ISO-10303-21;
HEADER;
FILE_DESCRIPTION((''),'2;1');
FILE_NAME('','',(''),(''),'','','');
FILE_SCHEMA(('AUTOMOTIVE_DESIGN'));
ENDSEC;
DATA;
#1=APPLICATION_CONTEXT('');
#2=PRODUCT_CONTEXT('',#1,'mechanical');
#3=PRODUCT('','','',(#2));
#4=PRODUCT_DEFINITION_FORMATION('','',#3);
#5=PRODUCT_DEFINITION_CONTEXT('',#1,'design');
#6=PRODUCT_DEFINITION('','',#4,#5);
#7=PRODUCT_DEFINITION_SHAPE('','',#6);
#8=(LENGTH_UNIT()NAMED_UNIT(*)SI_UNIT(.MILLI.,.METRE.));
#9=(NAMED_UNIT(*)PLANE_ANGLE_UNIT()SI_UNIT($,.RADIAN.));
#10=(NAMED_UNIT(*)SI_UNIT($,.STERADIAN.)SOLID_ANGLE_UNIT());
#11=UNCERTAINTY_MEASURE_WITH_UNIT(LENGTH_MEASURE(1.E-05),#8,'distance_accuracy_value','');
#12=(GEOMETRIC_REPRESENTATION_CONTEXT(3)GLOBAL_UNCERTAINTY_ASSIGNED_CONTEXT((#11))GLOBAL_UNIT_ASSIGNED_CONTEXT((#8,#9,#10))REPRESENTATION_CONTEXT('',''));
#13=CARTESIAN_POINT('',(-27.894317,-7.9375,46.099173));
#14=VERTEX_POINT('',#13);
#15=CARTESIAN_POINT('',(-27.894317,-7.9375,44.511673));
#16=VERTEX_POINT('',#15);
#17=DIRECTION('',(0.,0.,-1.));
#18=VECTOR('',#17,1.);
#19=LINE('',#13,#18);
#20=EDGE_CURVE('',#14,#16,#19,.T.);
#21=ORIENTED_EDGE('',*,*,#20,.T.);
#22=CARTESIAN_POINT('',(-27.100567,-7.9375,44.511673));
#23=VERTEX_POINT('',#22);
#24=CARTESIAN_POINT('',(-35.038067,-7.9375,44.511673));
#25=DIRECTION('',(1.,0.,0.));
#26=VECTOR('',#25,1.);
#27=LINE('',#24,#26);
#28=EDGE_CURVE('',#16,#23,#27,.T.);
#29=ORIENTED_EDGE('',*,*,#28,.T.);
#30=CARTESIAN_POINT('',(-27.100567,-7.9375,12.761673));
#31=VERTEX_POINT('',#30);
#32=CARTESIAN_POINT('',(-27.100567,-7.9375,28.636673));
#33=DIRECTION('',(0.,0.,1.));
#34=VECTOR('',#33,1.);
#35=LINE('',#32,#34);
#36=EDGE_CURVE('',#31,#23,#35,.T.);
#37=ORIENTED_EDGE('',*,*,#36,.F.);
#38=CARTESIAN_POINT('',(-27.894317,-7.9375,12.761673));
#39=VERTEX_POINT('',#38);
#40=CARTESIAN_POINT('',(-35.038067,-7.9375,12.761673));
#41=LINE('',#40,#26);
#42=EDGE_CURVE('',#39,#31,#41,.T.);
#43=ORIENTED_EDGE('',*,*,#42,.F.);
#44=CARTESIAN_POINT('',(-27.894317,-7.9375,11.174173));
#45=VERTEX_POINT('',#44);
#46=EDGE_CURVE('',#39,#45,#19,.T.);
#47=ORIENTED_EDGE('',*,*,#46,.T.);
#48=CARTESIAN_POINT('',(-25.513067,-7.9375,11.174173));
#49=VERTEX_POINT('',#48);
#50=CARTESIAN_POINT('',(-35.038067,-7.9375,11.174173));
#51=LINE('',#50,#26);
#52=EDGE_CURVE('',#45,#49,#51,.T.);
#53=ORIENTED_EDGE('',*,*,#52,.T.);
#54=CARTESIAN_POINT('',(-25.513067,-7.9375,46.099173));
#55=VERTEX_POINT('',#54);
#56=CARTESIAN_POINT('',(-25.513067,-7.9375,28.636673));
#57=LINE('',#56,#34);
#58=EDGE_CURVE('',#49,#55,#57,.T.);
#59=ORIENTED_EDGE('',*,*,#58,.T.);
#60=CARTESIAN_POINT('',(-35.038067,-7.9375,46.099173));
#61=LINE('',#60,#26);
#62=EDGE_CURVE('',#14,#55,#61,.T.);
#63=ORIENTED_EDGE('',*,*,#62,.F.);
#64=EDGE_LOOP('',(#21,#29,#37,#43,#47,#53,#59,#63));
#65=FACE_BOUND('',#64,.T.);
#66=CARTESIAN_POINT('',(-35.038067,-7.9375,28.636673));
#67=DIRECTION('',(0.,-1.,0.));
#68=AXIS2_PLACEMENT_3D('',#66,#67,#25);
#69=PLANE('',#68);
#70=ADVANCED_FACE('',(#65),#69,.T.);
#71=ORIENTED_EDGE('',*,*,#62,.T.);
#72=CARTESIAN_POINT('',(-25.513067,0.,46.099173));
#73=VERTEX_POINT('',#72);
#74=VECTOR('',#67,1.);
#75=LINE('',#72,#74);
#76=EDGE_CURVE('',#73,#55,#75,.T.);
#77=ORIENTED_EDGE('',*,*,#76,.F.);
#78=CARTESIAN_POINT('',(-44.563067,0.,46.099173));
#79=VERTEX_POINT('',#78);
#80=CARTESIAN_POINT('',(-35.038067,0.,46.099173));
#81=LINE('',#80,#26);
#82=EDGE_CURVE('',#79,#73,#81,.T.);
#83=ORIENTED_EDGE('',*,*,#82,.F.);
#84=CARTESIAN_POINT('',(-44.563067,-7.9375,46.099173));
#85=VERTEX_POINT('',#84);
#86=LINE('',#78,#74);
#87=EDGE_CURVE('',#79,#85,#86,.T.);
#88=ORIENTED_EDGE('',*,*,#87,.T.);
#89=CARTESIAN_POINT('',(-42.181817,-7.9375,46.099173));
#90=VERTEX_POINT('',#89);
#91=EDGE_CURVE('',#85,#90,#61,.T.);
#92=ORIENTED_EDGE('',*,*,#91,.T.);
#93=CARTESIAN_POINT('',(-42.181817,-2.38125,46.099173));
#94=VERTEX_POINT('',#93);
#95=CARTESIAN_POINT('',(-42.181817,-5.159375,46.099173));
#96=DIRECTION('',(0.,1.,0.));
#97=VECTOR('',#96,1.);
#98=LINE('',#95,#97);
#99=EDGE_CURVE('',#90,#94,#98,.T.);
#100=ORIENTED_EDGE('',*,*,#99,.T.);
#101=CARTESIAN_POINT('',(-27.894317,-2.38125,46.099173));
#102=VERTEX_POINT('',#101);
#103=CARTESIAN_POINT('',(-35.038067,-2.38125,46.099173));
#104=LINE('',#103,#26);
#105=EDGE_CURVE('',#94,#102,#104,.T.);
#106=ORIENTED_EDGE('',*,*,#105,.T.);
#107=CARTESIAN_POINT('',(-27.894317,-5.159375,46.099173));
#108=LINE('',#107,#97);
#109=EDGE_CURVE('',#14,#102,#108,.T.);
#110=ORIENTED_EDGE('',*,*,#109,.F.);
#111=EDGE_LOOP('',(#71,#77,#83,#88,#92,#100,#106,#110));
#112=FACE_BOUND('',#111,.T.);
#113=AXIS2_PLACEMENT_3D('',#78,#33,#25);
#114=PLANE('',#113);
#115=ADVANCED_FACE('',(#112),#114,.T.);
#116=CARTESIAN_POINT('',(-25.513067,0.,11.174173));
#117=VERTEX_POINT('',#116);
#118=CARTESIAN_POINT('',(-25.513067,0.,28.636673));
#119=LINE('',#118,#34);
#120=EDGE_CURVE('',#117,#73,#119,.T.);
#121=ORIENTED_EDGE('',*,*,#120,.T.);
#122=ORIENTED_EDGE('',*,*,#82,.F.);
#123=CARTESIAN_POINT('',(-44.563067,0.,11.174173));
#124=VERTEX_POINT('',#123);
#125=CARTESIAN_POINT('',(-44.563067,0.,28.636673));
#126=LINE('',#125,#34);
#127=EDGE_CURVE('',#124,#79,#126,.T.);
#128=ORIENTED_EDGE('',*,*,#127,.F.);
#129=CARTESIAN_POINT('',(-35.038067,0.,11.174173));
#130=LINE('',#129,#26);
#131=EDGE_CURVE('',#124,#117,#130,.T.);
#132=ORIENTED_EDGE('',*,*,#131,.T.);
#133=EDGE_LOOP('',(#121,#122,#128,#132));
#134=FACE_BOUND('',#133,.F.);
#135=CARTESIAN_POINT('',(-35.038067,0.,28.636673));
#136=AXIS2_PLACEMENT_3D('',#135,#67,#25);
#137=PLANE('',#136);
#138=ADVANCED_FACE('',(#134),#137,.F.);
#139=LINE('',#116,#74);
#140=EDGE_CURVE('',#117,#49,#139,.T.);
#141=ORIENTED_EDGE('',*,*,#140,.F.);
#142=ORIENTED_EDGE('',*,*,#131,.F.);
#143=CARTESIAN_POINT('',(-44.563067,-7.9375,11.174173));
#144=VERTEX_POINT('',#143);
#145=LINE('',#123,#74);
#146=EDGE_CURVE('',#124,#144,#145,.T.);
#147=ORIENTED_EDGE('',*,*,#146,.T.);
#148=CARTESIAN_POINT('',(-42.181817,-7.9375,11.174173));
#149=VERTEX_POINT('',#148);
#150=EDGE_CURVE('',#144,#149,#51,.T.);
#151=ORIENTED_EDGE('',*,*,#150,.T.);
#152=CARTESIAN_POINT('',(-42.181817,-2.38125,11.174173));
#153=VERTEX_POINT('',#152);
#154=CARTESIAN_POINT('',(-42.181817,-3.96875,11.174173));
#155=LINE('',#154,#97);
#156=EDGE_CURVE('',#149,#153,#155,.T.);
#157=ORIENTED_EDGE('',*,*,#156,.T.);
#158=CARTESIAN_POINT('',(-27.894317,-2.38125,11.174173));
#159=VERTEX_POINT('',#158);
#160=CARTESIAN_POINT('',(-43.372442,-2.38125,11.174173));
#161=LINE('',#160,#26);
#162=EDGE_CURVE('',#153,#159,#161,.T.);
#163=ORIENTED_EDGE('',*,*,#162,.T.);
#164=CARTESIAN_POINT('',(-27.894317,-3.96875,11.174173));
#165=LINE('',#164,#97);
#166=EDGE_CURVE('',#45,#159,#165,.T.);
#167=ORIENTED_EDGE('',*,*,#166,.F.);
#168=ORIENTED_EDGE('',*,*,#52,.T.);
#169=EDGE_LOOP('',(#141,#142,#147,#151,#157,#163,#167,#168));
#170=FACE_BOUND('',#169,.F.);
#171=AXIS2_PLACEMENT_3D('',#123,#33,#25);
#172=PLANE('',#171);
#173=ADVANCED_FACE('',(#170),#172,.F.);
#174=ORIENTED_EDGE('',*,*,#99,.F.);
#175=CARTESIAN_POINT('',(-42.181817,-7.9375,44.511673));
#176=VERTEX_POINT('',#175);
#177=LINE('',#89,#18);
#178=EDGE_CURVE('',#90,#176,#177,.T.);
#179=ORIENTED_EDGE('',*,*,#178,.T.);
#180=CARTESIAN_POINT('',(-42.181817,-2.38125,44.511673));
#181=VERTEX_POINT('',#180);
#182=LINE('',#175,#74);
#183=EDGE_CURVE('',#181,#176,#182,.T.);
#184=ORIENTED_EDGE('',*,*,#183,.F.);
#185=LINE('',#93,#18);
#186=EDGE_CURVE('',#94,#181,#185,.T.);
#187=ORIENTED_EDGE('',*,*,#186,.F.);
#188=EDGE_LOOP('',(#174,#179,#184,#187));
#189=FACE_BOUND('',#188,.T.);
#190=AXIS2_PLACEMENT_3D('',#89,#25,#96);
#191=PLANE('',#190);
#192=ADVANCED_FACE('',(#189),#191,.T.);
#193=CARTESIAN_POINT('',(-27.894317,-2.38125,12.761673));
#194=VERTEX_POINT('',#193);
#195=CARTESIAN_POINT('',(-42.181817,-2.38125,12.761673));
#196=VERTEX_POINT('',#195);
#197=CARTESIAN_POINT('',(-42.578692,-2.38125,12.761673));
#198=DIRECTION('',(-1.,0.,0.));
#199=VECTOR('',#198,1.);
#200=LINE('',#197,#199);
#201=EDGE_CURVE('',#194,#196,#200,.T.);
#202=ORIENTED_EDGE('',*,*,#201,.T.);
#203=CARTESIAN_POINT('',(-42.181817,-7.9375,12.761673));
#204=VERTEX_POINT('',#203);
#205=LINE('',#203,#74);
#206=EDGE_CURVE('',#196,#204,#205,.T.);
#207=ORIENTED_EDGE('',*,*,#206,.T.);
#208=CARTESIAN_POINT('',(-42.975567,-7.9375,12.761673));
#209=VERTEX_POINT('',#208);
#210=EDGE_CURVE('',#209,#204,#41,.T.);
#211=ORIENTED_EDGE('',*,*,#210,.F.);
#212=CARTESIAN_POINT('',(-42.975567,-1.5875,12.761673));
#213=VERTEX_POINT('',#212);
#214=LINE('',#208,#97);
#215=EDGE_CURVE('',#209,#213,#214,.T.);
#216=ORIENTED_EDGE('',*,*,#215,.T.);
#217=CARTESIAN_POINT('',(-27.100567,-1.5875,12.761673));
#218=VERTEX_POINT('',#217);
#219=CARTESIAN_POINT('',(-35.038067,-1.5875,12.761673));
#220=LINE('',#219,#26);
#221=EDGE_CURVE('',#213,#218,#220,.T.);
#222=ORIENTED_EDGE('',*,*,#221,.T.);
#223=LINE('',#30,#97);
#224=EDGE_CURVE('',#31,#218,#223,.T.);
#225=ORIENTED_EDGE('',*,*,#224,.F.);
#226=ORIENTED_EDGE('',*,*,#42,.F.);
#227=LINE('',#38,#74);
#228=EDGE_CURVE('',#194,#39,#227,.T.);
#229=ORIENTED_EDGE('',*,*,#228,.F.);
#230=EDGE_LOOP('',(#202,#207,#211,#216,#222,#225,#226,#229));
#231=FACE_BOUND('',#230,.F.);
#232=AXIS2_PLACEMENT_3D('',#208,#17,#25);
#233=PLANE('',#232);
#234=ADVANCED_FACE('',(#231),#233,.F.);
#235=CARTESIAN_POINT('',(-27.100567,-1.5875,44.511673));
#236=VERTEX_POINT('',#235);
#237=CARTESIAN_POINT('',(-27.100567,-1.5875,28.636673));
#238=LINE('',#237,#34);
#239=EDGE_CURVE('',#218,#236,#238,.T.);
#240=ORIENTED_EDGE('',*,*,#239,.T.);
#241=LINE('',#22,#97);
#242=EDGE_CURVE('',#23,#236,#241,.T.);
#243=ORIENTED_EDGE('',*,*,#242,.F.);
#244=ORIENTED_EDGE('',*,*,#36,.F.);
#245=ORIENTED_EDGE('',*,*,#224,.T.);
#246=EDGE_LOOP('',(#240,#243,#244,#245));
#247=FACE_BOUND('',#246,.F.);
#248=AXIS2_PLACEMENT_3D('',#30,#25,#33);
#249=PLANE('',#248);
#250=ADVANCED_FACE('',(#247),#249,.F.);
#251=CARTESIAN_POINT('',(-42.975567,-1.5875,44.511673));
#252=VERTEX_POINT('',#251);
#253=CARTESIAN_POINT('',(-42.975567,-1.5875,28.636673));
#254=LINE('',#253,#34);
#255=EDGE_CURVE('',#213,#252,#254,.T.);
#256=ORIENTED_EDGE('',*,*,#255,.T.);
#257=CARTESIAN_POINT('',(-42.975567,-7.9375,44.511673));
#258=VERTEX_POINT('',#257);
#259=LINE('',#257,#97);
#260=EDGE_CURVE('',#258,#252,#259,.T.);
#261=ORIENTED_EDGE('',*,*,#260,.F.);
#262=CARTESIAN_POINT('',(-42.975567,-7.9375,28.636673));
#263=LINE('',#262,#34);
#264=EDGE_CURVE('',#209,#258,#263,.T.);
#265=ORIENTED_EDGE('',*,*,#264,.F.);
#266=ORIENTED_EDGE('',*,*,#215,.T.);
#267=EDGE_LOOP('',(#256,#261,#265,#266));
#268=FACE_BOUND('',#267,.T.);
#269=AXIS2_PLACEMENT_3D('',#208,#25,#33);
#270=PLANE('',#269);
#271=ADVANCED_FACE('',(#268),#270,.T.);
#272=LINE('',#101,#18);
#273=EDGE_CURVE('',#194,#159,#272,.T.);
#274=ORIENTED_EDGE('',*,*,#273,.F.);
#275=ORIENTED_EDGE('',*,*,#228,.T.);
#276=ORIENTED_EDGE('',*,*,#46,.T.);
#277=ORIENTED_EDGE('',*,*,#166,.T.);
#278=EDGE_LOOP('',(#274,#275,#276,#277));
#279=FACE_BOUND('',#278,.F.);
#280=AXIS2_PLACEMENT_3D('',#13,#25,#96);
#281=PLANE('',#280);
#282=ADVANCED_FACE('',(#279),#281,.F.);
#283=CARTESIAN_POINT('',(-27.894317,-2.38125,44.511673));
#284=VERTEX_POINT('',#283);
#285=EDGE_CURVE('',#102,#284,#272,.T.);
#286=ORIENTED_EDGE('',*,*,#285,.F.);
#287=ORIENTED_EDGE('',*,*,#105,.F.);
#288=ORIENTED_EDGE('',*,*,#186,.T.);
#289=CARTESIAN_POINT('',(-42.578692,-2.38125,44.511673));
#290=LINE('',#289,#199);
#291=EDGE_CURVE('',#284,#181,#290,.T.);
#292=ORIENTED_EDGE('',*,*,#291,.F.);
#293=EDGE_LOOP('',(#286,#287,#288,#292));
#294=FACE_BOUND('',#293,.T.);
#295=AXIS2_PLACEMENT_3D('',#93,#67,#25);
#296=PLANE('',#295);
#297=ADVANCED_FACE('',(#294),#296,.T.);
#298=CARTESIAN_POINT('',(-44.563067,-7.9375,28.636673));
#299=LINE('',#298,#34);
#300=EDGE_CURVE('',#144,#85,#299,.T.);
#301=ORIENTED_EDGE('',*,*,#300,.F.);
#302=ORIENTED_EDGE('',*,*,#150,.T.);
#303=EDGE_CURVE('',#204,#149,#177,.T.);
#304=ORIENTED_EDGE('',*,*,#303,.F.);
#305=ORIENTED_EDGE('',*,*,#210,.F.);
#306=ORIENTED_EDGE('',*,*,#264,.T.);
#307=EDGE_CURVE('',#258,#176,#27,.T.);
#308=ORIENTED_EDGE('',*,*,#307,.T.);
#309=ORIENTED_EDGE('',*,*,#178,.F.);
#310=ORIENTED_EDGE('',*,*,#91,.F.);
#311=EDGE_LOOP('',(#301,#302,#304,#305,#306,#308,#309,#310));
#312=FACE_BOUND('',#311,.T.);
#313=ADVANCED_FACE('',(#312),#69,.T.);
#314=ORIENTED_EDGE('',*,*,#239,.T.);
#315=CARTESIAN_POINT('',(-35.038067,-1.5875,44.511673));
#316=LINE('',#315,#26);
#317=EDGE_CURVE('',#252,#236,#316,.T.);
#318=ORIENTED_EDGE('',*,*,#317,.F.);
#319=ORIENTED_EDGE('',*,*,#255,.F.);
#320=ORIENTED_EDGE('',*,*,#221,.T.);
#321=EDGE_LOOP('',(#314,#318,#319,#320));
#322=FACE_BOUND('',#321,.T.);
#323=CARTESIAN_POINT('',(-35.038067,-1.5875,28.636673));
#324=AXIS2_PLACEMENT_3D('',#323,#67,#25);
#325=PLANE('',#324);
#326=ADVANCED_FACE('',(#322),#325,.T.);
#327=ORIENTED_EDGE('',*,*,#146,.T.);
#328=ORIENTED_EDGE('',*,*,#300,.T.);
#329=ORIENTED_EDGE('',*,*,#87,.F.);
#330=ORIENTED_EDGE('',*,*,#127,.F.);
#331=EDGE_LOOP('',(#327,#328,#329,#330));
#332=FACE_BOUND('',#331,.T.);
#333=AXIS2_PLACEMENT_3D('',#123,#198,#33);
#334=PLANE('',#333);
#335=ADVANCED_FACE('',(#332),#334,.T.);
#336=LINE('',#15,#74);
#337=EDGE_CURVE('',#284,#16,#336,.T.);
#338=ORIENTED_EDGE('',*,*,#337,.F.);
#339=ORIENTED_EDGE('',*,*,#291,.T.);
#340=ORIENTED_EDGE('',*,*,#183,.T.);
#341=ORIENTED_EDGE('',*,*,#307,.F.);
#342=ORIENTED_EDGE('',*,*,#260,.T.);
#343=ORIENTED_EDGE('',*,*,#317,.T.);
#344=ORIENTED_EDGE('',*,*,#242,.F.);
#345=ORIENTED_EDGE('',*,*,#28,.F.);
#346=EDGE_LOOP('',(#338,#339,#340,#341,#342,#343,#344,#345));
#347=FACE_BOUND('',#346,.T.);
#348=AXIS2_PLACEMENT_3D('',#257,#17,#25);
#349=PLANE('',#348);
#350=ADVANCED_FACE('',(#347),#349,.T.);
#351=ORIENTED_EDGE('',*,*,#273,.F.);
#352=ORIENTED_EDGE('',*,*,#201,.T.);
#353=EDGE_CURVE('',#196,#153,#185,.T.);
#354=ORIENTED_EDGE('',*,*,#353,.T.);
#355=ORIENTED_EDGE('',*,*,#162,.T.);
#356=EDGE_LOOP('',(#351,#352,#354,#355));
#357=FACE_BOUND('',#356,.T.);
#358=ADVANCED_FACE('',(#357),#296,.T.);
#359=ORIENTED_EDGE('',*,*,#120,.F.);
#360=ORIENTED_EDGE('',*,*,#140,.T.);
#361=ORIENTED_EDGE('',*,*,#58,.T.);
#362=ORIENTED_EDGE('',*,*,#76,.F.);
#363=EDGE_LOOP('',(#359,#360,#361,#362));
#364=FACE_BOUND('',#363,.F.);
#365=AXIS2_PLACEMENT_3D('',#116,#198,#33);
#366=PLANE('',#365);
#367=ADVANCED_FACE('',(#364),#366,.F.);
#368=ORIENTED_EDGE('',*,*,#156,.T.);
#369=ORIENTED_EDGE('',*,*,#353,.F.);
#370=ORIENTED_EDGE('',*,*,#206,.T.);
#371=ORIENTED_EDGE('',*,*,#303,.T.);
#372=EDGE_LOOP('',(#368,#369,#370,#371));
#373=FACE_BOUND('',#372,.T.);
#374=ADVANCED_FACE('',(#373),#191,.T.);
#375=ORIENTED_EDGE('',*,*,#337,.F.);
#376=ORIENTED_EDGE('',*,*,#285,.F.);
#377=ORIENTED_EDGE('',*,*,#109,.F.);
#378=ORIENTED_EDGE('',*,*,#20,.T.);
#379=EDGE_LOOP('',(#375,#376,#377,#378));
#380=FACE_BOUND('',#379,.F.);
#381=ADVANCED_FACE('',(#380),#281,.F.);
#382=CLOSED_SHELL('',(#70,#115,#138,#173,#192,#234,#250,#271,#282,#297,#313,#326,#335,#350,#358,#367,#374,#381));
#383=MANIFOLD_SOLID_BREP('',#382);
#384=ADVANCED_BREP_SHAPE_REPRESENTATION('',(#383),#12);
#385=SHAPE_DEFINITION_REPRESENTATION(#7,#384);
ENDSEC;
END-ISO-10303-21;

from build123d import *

# Parameters (mm, degrees)
F0_W     = 19.05
F0_H     = 34.925
F1_DEPTH = 7.9375
F2_W     = 15.875
F2_H     = 31.75
F3_DEPTH = 6.35
F4_W     = 14.2875
F4_H     = 5.55625
F5_DEPTH = 34.926


with BuildPart() as f1:
    # F0 (on Front) → F1 (new body)
    with BuildSketch(Plane.XZ):
        with Locations((-35.038067, 28.636673)):
            Rectangle(F0_W, F0_H)
    extrude(amount=F1_DEPTH)

    # F2 (on face) → F3 (cut)
    with BuildSketch(Plane.XZ.offset(7.9375)):
        with Locations((-35.038067, 28.636673)):
            Rectangle(F2_W, F2_H)
    extrude(amount=-F3_DEPTH, mode=Mode.SUBTRACT)

    # F4 (on face) → F5 (cut, through all)
    with BuildSketch(Plane.XY.offset(46.099173)):
        with Locations((-35.038067, -5.159375)):
            Rectangle(F4_W, F4_H)
    extrude(amount=-F5_DEPTH, mode=Mode.SUBTRACT)


solid = f1.part
